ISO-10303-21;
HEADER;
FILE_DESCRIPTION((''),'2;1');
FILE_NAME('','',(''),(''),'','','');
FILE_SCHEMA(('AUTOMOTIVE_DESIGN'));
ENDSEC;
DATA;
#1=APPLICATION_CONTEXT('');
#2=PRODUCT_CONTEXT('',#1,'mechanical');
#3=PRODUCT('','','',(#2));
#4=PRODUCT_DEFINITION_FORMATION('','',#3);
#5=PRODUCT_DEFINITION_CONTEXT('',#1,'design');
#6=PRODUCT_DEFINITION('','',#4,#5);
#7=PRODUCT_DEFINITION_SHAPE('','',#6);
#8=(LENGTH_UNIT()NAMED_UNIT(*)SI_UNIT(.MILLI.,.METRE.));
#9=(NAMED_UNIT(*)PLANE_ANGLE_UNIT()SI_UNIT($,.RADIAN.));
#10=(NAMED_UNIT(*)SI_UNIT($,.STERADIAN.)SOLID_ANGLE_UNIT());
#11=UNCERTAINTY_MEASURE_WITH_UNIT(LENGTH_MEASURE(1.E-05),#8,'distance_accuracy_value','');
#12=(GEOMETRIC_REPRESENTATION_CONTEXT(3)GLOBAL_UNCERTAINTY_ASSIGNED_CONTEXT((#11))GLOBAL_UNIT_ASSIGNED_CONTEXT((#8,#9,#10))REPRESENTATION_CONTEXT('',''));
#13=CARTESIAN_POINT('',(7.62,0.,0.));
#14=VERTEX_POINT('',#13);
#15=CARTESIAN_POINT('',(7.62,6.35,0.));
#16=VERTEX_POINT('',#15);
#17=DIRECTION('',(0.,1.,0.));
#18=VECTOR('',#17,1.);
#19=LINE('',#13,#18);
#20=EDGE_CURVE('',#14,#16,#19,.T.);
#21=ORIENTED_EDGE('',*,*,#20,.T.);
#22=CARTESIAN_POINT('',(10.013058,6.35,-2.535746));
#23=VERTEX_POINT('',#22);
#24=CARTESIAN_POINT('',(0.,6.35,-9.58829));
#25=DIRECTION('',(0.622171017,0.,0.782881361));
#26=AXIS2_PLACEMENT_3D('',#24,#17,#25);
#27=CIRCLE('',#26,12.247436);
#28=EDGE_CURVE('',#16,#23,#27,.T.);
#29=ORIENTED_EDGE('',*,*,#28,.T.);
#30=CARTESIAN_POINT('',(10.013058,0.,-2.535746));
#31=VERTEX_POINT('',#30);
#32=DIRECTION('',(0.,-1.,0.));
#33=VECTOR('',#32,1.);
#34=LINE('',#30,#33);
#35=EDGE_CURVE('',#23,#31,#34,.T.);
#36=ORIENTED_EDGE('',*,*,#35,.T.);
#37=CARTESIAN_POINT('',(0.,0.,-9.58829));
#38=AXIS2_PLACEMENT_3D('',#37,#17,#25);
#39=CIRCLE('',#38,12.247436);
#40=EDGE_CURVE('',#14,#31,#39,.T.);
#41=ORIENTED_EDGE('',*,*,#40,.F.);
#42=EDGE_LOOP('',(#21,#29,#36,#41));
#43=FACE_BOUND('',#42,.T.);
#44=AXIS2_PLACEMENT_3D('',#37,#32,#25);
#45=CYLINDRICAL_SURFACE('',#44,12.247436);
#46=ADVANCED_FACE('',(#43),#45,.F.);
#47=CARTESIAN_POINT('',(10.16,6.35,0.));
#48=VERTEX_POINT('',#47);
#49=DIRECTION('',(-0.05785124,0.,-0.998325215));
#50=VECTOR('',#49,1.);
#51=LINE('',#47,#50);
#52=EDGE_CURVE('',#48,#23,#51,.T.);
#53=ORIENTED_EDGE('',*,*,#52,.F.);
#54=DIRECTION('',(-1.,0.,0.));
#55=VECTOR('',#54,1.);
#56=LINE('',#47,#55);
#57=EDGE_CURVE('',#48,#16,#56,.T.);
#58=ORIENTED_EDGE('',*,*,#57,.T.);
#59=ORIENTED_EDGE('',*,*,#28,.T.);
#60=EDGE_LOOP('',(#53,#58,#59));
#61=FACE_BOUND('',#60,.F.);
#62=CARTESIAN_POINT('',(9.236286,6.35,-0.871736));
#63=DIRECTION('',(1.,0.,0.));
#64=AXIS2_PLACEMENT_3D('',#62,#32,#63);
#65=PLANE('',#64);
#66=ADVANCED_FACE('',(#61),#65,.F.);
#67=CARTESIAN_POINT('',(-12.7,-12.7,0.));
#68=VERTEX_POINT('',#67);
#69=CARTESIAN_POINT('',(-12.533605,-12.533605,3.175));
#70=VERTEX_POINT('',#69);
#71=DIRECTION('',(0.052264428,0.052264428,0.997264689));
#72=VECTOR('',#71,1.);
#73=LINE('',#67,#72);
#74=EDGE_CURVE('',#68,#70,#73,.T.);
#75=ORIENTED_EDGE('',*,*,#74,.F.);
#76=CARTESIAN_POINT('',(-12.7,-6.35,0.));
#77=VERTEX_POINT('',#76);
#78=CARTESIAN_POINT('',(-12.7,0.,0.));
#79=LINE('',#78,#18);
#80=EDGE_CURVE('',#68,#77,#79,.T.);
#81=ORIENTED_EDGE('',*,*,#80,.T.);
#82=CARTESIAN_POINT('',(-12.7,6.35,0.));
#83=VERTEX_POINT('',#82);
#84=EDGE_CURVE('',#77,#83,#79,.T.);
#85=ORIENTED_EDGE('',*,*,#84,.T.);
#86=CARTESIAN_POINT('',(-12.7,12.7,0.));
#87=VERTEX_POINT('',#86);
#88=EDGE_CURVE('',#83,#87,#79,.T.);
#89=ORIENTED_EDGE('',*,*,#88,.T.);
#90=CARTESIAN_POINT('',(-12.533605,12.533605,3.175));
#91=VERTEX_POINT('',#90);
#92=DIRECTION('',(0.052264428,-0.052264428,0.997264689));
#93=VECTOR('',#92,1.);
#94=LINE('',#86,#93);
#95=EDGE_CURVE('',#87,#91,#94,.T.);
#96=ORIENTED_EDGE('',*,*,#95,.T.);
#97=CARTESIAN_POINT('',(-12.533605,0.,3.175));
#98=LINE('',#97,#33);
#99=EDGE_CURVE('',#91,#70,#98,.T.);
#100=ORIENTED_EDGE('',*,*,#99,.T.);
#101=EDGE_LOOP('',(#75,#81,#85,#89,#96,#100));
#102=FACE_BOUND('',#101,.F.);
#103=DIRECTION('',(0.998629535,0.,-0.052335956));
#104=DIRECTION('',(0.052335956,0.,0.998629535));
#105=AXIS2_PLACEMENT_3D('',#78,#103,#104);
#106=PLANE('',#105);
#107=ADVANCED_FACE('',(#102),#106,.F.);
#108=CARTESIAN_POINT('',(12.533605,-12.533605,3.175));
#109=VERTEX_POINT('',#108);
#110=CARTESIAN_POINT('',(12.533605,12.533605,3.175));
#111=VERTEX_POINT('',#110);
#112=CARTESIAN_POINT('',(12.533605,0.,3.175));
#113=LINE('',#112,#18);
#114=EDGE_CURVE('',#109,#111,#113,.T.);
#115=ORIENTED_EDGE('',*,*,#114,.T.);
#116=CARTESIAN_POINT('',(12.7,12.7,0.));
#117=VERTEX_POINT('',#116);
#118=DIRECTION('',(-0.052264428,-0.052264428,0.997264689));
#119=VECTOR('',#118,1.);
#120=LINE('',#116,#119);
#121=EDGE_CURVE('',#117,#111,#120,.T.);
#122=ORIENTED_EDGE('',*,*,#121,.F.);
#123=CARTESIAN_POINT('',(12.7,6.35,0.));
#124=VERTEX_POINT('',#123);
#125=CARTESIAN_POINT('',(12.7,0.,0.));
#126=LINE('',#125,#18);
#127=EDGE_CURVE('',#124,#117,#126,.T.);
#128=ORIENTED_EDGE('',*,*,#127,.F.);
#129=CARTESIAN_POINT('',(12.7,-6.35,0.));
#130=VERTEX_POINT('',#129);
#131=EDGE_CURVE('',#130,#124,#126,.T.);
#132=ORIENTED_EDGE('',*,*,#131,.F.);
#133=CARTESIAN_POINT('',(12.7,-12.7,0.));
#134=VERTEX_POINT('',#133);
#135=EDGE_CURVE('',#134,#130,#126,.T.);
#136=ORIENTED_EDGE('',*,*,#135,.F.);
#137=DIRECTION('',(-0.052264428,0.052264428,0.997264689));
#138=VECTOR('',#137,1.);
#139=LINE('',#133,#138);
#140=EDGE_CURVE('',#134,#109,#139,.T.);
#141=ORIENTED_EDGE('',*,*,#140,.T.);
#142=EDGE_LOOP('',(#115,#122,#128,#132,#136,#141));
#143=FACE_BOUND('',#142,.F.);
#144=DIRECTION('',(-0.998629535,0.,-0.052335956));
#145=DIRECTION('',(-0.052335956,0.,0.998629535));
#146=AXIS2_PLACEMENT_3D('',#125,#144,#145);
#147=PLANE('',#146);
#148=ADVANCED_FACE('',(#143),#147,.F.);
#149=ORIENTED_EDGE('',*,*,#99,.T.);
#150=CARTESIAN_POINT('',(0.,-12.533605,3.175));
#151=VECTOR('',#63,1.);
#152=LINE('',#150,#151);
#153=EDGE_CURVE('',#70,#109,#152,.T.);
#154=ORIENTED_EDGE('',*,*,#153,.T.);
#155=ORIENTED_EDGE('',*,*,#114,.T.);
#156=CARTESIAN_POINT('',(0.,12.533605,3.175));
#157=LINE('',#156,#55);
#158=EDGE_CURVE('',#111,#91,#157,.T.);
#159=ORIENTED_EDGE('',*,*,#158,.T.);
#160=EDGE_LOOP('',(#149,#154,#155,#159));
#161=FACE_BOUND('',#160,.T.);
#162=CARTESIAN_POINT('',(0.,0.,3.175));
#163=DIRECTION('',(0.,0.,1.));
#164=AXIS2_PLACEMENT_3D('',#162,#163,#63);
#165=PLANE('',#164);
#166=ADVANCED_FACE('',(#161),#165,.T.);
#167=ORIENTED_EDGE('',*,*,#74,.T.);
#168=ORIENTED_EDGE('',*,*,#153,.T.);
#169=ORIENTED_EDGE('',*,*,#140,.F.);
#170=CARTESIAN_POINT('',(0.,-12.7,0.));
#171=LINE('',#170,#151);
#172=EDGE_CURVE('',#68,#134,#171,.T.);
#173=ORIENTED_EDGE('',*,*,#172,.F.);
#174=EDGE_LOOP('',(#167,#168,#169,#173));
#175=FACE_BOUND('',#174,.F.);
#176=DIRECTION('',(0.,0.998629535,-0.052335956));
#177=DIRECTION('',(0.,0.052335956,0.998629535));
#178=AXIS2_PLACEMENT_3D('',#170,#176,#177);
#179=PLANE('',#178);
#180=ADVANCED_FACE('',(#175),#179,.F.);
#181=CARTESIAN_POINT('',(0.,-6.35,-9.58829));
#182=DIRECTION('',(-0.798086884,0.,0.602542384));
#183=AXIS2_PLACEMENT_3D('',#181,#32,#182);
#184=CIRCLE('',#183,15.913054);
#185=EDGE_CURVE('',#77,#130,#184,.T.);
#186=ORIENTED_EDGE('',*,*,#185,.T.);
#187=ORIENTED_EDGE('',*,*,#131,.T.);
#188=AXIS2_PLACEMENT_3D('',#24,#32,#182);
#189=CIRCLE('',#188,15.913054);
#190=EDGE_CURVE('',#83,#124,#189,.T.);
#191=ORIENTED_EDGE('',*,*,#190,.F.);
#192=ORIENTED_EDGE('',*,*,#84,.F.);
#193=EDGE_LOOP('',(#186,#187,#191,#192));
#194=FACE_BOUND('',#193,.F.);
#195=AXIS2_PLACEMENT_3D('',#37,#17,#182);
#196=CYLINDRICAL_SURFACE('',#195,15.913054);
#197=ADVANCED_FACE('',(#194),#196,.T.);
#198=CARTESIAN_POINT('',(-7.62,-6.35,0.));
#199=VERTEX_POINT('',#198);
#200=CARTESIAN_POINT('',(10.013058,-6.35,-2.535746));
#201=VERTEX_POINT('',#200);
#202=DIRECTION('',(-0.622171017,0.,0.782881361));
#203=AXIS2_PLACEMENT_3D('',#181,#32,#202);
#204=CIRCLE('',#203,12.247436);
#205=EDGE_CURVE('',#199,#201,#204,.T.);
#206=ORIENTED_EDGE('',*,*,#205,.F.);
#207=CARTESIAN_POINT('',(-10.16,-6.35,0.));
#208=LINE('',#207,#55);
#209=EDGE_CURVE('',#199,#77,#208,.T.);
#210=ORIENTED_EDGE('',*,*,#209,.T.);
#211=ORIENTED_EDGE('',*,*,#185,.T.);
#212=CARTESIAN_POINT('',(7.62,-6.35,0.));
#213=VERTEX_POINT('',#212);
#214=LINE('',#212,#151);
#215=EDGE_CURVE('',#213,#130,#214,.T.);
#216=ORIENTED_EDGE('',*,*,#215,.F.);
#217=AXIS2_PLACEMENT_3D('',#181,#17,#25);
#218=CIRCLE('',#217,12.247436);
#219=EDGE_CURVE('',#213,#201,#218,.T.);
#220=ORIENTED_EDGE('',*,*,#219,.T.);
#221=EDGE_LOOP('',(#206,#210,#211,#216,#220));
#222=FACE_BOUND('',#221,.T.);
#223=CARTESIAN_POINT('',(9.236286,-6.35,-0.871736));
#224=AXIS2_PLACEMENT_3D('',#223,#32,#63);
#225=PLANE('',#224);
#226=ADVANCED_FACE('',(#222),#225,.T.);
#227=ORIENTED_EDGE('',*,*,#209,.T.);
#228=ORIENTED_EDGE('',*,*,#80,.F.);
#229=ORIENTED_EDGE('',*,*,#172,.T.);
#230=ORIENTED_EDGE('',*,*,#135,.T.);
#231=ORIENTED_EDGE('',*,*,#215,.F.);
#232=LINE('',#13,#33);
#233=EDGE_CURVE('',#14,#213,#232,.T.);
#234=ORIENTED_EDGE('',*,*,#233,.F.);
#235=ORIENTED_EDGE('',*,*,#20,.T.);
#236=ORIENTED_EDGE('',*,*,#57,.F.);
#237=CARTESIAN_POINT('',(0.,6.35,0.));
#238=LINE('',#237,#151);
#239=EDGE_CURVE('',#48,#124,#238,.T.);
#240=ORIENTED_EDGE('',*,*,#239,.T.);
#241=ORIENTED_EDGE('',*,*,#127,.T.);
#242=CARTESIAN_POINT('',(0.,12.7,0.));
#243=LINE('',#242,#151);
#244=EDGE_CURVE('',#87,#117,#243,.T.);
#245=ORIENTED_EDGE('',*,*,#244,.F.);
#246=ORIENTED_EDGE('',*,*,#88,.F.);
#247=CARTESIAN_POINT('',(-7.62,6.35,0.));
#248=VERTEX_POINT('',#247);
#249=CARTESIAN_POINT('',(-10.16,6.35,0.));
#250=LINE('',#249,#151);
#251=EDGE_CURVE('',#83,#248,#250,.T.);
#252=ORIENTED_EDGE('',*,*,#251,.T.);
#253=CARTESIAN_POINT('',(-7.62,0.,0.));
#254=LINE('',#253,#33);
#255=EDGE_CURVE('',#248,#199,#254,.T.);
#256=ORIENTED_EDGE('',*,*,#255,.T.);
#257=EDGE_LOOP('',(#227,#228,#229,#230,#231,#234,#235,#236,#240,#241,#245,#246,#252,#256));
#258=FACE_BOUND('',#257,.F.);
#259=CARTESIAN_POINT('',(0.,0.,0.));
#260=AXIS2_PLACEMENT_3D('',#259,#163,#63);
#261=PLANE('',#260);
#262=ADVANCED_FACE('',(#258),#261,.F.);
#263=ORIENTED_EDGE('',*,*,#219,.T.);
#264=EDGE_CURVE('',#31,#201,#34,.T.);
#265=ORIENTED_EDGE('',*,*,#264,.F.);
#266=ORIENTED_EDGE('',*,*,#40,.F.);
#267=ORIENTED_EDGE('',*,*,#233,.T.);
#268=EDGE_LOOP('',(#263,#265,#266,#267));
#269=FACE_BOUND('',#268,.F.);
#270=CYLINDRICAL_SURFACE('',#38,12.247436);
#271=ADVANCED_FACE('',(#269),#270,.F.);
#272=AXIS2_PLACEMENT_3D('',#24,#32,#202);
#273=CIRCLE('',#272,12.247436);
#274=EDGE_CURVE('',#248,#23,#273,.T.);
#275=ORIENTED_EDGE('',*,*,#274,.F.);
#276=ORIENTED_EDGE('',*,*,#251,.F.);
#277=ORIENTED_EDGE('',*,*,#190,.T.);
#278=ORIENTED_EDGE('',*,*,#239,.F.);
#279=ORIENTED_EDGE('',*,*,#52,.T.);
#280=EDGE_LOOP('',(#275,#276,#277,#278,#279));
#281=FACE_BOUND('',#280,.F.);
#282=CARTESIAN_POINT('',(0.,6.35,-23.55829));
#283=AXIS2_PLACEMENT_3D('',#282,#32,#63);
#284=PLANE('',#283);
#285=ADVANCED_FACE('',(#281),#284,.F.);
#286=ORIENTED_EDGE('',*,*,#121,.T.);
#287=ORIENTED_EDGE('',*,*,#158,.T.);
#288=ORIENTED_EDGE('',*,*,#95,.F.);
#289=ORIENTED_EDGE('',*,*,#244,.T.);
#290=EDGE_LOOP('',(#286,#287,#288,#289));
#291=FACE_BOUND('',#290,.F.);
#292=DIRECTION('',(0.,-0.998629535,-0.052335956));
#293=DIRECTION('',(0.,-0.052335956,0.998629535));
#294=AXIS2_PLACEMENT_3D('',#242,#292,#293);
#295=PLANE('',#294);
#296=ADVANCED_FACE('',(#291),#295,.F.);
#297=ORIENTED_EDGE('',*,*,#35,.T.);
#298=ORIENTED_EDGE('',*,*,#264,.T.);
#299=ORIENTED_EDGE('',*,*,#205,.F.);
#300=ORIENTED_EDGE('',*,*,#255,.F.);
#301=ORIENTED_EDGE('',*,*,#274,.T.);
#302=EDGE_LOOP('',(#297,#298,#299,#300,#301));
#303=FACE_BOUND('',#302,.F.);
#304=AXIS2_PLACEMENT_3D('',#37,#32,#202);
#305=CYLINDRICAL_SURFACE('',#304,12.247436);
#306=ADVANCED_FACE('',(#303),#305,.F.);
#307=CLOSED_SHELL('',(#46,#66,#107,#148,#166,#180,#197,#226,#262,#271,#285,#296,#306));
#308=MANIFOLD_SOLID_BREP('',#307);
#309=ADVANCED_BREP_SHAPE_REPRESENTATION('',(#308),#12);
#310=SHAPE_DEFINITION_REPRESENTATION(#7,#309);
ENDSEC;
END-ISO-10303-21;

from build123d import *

# Parameters (mm, degrees)
F0_W          = 25.4
F0_H          = 25.4
F1_DEPTH      = 3.175
F1_TAPER      = 3
F3_W          = 5.08
F3_H          = 12.7
F6_DEPTH      = 6.35
F6_DEPTH_BACK = 6.35


with BuildPart() as f1:
    # F0 (on Top) → F1 (new body)
    with BuildSketch(Plane.XY):
        Rectangle(F0_W, F0_H)
    extrude(amount=F1_DEPTH, taper=F1_TAPER)

    # F4: sweep along a path in F2
    with BuildLine(Plane.XZ) as f4_path:
        ThreePointArc((-10.16, 0), (0, -23.5582897328), (10.16, 0))
    # F3 (on face) → F4 (sweep)
    with BuildSketch(Plane(origin=(0, 0, 0), x_dir=(1, 0, 0), z_dir=(0, 0, -1))):
        with Locations((-10.16, 0)):
            Rectangle(F3_W, F3_H)
    sweep(path=f4_path.line)

    # F5 (on Front) → F6 (join, two sides)
    with BuildSketch(Plane.XZ) as f6_sk:
        with BuildLine():
            Line((10.0130578512, -2.535746045), (10.16, 0))
            Line((10.16, 0), (7.62, 0))
            ThreePointArc((7.62, 0), (8.9072265211, -1.1822790439), (10.0130578512, -2.535746045))
        make_face()
    extrude(amount=F6_DEPTH)
    extrude(f6_sk.sketch, amount=-F6_DEPTH_BACK)


solid = f1.part
